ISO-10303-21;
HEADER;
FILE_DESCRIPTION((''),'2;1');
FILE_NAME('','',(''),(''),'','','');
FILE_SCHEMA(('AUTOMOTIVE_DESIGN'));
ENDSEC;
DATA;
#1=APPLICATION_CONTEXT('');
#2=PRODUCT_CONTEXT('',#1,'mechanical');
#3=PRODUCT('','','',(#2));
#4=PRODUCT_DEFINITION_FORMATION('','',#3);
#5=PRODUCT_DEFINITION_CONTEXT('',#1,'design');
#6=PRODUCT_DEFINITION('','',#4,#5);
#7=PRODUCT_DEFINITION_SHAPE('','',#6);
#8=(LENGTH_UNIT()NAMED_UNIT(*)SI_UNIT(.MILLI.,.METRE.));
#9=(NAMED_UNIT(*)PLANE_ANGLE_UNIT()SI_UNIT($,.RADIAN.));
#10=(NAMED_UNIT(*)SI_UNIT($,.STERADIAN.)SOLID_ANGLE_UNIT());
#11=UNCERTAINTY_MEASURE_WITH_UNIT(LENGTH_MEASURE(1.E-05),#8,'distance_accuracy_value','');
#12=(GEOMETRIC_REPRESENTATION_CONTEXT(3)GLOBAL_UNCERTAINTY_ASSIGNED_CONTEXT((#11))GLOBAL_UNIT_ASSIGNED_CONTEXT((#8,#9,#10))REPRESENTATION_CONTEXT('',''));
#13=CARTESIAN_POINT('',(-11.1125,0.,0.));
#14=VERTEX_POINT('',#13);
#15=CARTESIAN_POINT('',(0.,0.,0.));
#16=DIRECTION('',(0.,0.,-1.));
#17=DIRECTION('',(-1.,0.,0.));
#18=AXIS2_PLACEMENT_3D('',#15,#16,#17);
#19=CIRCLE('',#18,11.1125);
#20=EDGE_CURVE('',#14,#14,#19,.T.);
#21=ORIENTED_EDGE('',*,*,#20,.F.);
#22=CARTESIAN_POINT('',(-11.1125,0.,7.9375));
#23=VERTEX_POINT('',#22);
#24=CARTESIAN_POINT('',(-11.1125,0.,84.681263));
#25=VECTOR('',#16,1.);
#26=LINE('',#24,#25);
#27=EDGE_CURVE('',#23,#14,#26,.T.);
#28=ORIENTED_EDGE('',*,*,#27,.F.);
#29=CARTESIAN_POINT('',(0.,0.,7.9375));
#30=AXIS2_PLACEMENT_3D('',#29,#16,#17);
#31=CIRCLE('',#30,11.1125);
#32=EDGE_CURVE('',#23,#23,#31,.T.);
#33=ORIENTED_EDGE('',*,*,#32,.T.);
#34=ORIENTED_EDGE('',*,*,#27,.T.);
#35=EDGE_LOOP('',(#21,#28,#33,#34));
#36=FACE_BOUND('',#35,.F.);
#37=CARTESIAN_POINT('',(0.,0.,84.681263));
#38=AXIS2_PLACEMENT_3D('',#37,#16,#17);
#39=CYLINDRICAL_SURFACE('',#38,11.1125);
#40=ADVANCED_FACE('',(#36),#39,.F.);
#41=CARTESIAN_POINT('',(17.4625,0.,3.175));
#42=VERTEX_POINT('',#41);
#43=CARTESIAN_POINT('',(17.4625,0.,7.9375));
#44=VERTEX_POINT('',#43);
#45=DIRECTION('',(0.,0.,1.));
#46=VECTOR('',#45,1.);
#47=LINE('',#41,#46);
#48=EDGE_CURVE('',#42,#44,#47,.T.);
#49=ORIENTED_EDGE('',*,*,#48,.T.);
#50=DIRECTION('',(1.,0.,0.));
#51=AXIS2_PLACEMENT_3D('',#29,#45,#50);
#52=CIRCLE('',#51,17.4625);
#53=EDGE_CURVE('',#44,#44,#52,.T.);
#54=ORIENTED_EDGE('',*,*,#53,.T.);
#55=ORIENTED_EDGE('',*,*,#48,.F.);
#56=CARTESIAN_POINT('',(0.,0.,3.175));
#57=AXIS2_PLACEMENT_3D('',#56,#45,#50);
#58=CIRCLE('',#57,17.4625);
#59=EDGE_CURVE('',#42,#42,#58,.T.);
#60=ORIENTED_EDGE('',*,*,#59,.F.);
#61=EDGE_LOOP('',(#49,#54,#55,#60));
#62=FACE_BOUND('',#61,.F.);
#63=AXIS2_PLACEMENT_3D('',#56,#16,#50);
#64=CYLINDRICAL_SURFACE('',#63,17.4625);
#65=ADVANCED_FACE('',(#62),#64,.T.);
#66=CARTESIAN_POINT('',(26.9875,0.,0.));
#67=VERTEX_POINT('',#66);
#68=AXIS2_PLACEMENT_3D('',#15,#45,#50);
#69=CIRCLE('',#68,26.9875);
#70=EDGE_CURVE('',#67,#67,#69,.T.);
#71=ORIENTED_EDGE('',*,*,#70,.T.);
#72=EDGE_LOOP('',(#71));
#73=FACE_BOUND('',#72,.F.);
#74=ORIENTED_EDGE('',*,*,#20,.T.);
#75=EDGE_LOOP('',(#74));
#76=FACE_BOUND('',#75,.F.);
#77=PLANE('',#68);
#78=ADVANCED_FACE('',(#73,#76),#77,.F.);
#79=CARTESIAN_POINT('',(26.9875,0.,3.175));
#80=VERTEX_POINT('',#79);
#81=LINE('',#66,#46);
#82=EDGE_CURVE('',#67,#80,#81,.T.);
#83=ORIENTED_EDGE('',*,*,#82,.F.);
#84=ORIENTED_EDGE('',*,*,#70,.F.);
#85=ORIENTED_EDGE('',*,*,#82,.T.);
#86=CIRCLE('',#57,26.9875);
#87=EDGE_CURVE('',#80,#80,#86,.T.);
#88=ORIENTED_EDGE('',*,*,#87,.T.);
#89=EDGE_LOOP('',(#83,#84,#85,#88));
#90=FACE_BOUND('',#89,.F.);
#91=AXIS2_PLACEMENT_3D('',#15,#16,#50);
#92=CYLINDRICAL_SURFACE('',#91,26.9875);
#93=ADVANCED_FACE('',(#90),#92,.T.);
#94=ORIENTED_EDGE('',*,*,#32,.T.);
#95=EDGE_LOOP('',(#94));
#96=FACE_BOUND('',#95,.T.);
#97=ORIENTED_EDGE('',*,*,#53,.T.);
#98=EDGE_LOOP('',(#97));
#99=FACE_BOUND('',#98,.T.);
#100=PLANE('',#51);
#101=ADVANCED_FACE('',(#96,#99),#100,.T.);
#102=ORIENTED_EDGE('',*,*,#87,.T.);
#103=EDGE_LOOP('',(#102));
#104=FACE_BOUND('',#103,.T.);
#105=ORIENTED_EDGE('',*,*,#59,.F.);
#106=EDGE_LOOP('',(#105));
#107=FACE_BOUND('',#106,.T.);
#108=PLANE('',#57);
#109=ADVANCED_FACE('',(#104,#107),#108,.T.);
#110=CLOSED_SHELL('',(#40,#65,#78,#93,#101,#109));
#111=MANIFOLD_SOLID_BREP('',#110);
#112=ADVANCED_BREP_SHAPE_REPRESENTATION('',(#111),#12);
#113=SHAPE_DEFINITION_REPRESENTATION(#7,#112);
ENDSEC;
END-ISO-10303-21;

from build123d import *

# Parameters (mm, degrees)
F0_R     = 26.9875
F1_DEPTH = 3.175
F2_R     = 17.4625
F3_DEPTH = 4.7625
F5_D     = 22.225


with BuildPart() as f1:
    # F0 (on Top) → F1 (new body)
    with BuildSketch(Plane.XY):
        Circle(F0_R)
    extrude(amount=F1_DEPTH)

    # F2 (on face) → F3 (join)
    with BuildSketch(Plane.XY.offset(3.175)):
        Circle(F2_R)
    extrude(amount=F3_DEPTH)

    # F5 (through all)
    with Locations(Plane.XY.offset(7.9375)):
        with Locations((0, 0)):
            Hole(F5_D / 2)


solid = f1.part
